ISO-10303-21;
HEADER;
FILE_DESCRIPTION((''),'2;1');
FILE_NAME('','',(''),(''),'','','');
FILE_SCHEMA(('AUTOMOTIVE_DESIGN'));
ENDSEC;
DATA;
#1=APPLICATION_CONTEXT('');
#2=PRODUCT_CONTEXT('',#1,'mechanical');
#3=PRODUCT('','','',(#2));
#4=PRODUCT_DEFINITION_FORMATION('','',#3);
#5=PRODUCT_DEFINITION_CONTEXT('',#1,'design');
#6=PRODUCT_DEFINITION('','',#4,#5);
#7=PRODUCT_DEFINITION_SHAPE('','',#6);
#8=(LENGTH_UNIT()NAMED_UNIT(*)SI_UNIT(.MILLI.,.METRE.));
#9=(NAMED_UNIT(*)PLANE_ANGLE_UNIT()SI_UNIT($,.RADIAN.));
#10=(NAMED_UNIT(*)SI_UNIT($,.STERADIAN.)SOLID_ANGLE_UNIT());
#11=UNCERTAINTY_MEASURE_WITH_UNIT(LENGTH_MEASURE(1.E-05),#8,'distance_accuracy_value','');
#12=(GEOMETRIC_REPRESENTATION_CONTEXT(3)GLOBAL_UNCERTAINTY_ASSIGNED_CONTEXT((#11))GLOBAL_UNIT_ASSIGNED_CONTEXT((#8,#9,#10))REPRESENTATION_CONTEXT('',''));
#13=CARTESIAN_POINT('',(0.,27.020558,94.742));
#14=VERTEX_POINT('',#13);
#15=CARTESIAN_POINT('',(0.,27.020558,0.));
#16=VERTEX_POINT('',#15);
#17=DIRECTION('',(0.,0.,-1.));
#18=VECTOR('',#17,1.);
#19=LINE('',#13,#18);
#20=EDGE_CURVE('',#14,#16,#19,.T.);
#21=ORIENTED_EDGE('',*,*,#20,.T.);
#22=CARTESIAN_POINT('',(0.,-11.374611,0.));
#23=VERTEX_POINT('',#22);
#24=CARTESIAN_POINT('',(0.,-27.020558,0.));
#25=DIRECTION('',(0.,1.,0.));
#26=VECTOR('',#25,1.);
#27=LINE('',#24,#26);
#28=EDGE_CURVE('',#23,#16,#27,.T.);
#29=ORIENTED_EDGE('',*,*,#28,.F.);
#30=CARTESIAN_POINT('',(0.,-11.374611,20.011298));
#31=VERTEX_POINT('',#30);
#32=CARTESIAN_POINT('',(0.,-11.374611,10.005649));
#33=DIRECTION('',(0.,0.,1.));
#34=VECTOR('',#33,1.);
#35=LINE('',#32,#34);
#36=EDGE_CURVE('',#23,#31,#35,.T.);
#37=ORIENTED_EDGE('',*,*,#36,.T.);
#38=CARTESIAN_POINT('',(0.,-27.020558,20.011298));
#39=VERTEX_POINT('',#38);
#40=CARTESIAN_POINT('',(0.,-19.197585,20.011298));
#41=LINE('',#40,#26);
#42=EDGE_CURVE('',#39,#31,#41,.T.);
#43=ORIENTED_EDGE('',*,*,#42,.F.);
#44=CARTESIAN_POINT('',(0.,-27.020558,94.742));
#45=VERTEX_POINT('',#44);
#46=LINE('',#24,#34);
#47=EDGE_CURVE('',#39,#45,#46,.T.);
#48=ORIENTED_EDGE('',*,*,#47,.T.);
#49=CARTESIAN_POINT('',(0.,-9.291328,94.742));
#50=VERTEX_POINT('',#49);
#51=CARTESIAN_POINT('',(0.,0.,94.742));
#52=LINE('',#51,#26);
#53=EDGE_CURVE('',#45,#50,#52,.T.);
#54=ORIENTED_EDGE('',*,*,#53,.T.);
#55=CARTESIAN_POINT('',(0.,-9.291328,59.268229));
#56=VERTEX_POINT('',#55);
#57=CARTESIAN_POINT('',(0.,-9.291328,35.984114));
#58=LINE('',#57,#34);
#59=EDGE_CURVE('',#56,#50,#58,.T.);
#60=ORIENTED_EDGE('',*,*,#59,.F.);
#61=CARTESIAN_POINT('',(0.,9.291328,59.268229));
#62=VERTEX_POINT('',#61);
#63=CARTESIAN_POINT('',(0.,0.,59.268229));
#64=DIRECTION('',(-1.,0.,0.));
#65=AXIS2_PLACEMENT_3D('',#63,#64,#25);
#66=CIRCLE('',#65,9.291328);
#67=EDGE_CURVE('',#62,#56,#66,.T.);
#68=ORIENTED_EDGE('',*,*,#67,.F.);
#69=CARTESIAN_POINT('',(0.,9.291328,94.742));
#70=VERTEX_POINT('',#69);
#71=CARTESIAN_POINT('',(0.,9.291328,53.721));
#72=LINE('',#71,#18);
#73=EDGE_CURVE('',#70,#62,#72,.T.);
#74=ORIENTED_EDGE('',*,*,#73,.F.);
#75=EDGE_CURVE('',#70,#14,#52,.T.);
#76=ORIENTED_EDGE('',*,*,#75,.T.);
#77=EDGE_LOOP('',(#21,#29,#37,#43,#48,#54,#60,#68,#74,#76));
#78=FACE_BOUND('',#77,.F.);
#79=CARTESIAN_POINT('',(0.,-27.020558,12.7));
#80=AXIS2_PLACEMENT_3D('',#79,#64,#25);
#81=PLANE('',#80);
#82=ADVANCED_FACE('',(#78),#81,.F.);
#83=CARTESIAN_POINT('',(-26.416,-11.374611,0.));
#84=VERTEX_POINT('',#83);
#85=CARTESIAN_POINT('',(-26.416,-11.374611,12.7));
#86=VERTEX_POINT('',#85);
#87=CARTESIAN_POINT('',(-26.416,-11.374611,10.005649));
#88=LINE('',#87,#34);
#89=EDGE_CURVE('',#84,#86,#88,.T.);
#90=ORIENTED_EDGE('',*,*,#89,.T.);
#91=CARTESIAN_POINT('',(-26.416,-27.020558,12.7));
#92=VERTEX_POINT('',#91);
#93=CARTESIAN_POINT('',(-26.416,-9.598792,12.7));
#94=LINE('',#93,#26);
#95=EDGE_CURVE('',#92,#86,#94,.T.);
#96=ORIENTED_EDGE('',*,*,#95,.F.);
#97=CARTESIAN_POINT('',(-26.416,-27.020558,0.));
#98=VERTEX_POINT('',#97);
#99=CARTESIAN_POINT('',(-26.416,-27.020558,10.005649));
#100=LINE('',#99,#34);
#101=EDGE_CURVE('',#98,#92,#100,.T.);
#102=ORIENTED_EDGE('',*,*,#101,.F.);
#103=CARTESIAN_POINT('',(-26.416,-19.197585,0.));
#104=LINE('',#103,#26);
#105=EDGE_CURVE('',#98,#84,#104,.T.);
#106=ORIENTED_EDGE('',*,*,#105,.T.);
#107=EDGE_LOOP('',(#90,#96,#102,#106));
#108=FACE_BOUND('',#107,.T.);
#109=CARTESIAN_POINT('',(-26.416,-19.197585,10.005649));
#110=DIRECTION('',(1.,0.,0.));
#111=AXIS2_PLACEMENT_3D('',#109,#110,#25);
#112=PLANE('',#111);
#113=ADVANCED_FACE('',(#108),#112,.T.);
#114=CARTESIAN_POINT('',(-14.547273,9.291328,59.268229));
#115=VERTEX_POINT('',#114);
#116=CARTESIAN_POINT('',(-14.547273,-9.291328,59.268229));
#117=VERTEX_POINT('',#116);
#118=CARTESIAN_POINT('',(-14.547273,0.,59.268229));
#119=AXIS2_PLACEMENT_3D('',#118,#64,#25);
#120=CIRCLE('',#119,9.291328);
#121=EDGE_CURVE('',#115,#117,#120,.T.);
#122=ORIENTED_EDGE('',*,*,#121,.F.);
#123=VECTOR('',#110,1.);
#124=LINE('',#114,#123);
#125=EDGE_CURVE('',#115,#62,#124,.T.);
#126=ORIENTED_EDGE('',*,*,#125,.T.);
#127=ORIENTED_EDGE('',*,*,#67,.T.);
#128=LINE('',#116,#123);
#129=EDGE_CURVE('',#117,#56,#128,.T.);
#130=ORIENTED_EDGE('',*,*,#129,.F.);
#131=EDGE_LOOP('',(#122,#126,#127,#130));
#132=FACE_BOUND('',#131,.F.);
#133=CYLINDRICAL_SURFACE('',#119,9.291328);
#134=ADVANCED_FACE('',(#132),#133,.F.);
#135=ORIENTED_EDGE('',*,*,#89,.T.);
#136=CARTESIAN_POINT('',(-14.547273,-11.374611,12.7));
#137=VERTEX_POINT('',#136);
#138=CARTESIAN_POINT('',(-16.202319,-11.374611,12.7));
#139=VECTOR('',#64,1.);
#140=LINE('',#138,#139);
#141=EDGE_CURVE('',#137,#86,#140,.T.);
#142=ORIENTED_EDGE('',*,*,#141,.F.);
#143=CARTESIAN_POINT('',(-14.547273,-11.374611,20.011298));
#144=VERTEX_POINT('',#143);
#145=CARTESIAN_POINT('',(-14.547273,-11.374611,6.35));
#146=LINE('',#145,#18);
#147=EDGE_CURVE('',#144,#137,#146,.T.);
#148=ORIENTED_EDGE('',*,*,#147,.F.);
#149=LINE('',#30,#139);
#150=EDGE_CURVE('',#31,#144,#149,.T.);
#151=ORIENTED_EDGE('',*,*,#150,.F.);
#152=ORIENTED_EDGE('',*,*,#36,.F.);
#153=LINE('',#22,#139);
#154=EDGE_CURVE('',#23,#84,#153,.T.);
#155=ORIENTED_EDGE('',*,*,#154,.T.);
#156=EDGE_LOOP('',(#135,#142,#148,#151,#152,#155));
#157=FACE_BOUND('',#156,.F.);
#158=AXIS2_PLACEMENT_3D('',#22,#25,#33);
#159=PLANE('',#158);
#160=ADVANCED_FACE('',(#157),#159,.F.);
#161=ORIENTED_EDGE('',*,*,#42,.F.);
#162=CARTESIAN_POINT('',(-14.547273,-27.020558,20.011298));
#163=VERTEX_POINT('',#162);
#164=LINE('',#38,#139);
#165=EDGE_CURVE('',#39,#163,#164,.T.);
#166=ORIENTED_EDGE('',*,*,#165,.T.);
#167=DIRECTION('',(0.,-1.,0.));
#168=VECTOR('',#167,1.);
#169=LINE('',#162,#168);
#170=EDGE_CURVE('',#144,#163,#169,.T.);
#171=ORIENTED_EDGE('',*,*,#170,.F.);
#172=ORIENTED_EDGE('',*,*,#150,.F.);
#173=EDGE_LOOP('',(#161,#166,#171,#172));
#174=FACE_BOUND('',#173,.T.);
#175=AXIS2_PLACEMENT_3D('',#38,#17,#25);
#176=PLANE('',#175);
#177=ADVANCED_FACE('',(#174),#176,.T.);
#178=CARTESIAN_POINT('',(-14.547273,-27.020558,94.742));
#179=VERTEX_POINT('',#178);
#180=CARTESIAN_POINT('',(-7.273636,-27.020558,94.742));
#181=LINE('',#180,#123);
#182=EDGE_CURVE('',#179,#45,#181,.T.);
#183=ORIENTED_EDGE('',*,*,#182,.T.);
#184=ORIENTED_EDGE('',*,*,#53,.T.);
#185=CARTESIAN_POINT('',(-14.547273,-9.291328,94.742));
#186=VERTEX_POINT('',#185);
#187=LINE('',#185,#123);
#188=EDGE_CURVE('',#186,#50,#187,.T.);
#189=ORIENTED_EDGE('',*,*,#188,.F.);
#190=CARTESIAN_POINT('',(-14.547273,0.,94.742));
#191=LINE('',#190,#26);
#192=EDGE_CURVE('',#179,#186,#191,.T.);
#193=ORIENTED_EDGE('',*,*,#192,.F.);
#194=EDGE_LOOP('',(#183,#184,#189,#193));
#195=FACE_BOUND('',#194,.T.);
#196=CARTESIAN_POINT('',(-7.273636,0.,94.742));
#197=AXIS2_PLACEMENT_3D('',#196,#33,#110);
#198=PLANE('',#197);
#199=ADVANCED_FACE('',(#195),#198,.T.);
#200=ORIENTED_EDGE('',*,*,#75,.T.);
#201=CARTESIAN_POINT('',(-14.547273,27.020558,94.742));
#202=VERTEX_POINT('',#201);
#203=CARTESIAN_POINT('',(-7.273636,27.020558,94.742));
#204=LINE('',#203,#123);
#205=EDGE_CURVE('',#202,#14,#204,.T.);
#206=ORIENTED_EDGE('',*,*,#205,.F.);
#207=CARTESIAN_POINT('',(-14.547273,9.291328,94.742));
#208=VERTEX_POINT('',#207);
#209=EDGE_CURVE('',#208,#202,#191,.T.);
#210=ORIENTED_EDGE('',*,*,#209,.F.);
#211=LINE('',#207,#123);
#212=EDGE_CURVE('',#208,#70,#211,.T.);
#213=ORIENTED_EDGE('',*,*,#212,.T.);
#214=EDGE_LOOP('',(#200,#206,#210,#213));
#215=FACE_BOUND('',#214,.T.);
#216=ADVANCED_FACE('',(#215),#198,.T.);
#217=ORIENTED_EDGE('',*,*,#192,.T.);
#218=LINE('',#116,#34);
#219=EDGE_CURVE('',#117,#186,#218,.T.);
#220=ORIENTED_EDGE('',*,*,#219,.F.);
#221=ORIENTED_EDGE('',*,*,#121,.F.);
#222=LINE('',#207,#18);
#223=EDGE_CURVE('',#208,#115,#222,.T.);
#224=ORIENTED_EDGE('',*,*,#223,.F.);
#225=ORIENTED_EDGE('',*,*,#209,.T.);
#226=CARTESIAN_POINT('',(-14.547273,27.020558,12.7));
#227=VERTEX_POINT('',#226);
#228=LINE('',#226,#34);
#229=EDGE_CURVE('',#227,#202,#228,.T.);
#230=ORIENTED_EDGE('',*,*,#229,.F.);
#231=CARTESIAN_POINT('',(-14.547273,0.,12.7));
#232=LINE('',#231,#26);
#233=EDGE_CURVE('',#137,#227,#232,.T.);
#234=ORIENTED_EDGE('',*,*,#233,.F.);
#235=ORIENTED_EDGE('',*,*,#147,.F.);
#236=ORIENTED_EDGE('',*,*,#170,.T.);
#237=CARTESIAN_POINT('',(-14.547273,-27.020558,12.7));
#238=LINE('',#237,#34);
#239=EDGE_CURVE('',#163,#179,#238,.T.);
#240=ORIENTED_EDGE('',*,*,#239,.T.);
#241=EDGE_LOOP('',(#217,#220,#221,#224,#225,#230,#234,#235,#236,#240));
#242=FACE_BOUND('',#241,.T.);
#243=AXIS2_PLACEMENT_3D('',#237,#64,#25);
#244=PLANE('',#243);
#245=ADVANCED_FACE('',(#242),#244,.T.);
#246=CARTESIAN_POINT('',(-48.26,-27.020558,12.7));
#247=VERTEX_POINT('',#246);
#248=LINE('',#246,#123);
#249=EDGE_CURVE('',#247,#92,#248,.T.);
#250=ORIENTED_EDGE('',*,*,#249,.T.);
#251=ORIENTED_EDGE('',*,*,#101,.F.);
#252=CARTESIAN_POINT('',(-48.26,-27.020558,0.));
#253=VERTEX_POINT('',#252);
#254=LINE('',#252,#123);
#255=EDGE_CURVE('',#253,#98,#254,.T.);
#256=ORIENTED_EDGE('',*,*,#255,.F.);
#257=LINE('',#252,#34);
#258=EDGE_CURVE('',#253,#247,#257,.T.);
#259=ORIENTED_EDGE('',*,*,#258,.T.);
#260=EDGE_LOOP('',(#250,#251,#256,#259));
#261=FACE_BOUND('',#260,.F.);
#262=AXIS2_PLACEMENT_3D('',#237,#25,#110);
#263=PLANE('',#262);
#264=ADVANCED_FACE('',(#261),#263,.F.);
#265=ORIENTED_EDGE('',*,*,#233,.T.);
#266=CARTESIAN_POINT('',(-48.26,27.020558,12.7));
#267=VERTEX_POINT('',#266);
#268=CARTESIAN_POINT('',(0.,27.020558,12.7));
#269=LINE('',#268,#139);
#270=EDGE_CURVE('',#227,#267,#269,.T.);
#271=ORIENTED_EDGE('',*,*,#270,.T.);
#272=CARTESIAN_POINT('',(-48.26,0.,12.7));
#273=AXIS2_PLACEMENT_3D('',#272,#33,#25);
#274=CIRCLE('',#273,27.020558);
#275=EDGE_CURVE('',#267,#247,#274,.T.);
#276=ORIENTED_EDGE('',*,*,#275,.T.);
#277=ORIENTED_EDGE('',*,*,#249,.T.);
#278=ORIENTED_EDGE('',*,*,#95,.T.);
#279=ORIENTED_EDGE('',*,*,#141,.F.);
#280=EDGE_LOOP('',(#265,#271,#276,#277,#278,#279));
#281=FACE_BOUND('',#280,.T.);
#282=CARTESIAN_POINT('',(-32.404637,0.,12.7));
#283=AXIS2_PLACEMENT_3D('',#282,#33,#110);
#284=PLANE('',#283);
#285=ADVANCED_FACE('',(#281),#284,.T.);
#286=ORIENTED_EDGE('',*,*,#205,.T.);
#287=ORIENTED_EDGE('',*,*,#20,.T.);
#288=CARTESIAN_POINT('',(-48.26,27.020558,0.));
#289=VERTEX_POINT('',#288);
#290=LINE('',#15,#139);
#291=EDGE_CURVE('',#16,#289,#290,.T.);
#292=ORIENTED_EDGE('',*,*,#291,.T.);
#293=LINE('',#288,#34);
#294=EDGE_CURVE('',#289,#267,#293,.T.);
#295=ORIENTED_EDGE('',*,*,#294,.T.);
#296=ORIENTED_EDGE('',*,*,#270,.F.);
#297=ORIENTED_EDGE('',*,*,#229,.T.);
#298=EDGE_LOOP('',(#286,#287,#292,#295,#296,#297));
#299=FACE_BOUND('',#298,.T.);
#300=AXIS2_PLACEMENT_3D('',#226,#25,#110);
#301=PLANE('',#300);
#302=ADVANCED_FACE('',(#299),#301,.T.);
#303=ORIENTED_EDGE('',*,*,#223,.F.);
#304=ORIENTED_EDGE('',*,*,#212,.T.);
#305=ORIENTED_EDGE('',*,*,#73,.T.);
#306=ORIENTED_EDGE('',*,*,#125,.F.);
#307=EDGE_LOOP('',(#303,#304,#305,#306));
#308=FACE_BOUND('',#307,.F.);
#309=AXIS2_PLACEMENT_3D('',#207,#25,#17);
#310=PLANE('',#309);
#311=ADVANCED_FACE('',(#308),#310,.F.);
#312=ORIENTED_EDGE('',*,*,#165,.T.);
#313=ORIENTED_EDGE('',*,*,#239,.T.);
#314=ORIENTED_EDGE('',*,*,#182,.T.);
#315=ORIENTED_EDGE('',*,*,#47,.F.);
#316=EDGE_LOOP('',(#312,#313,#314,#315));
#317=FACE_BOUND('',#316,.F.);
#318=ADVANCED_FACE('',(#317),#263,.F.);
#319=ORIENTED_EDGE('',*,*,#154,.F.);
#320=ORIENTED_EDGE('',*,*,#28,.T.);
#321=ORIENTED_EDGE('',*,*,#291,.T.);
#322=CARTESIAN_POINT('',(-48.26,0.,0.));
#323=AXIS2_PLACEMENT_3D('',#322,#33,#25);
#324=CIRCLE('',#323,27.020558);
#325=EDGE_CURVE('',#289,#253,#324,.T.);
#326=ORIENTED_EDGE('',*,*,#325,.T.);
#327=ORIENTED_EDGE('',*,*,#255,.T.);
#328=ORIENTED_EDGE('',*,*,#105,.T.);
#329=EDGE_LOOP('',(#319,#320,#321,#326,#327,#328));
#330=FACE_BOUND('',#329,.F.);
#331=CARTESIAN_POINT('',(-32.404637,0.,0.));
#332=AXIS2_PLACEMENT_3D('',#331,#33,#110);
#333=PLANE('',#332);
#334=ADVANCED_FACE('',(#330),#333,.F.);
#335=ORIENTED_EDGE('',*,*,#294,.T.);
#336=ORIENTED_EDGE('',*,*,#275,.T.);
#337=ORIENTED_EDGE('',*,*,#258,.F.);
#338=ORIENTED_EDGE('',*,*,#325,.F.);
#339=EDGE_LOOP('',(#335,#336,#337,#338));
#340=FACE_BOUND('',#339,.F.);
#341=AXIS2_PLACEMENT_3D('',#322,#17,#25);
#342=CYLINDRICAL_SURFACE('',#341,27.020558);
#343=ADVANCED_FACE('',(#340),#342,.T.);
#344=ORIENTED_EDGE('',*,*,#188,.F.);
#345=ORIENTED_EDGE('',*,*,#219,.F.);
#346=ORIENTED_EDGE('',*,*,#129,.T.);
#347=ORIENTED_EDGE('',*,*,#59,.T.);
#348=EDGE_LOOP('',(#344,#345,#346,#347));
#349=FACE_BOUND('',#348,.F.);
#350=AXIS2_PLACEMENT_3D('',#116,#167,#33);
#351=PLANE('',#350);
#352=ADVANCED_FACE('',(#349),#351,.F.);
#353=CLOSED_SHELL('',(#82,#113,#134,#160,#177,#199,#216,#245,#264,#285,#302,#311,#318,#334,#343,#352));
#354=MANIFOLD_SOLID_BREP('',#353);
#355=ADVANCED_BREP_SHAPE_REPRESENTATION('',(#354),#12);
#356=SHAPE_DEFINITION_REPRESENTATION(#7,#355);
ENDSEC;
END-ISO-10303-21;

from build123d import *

# Parameters (mm, degrees)
F1_DEPTH = 12.7
F2_W     = 14.5472725853
F2_H     = 54.0411157981
F3_DEPTH = 82.042
F5_DEPTH = 25.4
F6_W     = 15.6459464915
F6_H     = 20.0112983584
F7_DEPTH = 26.416


with BuildPart() as f1:
    # F0 (on Top) → F1 (new body)
    with BuildSketch(Plane.XY):
        with BuildLine():
            Line((0, 27.020557899), (-48.259999603, 27.020557899))
            ThreePointArc((-48.259999603, 27.020557899), (-75.2805575021, 0), (-48.259999603, -27.020557899))
            Line((-48.259999603, -27.020557899), (0, -27.020557899))
            Line((0, -27.020557899), (0, 27.020557899))
        make_face()
    extrude(amount=F1_DEPTH)

    # F2 (on face) → F3 (join)
    with BuildSketch(Plane.XY.offset(12.7)):
        with Locations((-7.2736362927, 0)):
            Rectangle(F2_W, F2_H)
    extrude(amount=F3_DEPTH)

    # F4 (on face) → F5 (cut)
    with BuildSketch(Plane(origin=(-14.5472725853, 0, 0), x_dir=(0, -1, 0), z_dir=(-1, 0, 0))):
        with BuildLine():
            Line((-9.2913275192, 94.742), (-9.2913275192, 59.2682287097))
            ThreePointArc((-9.2913275192, 59.2682287097), (0, 49.9769011905), (9.2913275192, 59.2682287097))
            Line((9.2913275192, 59.2682287097), (9.2913275192, 94.742))
            Line((9.2913275192, 94.742), (-9.2913275192, 94.742))
        make_face()
    extrude(amount=-F5_DEPTH, mode=Mode.SUBTRACT)

    # F6 (on face) → F7 (cut)
    with BuildSketch(Plane.YZ):
        with Locations((-19.1975846533, 10.0056491792)):
            Rectangle(F6_W, F6_H)
    extrude(amount=-F7_DEPTH, mode=Mode.SUBTRACT)


solid = f1.part
